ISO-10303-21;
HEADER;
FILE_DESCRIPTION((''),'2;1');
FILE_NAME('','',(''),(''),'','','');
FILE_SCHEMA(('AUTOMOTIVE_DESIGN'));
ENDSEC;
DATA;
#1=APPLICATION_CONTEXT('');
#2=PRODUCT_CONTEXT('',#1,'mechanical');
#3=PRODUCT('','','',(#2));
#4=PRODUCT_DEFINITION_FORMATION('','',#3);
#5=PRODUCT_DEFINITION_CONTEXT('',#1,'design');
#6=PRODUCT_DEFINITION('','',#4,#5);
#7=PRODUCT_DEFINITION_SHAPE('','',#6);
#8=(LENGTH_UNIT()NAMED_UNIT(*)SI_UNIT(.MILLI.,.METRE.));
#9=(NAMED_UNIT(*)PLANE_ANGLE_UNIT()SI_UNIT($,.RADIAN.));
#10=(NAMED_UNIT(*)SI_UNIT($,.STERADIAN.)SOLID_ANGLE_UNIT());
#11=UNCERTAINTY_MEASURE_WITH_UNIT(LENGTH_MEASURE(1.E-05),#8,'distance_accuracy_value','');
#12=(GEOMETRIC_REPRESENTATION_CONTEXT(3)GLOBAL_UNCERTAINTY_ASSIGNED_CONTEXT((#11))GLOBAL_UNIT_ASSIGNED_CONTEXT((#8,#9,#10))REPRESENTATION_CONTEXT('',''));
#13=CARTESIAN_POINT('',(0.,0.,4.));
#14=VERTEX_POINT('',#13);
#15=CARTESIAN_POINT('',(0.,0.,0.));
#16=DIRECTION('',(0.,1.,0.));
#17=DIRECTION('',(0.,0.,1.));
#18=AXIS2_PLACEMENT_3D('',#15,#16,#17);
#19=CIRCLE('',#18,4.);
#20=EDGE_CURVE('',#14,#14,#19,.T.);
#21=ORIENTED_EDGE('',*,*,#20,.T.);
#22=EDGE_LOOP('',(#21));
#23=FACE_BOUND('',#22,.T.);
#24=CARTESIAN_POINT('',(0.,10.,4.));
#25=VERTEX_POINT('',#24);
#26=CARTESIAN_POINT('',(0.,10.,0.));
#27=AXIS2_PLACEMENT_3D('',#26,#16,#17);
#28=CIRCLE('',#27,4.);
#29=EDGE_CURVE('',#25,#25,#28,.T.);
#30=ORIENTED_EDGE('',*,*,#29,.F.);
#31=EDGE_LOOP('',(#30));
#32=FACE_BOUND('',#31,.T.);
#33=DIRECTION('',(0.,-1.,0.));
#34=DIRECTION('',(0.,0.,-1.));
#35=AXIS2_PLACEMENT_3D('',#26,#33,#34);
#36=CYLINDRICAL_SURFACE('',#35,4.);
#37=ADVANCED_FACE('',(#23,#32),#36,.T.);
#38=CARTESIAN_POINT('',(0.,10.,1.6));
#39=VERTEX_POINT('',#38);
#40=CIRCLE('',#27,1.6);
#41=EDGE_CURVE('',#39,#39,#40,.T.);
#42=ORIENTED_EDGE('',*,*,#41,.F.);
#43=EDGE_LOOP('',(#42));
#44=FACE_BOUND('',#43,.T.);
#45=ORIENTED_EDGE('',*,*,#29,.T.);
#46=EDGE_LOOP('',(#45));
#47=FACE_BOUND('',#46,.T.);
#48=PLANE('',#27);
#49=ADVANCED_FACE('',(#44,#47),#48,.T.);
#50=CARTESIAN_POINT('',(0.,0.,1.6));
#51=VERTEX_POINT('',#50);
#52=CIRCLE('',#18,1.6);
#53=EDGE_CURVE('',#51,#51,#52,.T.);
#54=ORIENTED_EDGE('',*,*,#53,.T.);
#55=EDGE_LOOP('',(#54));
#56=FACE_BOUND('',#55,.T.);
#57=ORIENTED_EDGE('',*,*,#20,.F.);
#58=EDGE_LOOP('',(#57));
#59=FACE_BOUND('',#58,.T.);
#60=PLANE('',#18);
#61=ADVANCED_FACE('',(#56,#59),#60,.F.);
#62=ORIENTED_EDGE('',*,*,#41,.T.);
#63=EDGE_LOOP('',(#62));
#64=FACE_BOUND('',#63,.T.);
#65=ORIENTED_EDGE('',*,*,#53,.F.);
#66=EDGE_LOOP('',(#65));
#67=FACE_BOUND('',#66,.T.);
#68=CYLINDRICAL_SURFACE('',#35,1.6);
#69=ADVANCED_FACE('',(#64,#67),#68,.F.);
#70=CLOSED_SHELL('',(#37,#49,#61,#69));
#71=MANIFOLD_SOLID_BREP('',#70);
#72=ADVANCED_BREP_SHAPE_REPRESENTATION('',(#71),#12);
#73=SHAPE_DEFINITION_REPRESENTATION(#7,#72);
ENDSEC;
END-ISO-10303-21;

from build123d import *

# Parameters (mm, degrees)
SKETCH1_R           = 4
SKETCH1_R_2         = 1.6
BOSS_EXTRUDE1_DEPTH = 10


with BuildPart() as part:
    # Sketch1 → Boss-Extrude1 (new body)
    with BuildSketch(Plane(origin=(0, 0, 0), x_dir=(1, 0, 0), z_dir=(0, 1, 0))):
        with Locations(Location((0, 0, 0), (0, 0, 270))):  # turned: the seam where the file's is
            Circle(SKETCH1_R)
        with Locations(Location((0, 0, 0), (0, 0, 270))):  # turned: the seam where the file's is
            Circle(SKETCH1_R_2, mode=Mode.SUBTRACT)
    extrude(amount=BOSS_EXTRUDE1_DEPTH)


solid = part.part
